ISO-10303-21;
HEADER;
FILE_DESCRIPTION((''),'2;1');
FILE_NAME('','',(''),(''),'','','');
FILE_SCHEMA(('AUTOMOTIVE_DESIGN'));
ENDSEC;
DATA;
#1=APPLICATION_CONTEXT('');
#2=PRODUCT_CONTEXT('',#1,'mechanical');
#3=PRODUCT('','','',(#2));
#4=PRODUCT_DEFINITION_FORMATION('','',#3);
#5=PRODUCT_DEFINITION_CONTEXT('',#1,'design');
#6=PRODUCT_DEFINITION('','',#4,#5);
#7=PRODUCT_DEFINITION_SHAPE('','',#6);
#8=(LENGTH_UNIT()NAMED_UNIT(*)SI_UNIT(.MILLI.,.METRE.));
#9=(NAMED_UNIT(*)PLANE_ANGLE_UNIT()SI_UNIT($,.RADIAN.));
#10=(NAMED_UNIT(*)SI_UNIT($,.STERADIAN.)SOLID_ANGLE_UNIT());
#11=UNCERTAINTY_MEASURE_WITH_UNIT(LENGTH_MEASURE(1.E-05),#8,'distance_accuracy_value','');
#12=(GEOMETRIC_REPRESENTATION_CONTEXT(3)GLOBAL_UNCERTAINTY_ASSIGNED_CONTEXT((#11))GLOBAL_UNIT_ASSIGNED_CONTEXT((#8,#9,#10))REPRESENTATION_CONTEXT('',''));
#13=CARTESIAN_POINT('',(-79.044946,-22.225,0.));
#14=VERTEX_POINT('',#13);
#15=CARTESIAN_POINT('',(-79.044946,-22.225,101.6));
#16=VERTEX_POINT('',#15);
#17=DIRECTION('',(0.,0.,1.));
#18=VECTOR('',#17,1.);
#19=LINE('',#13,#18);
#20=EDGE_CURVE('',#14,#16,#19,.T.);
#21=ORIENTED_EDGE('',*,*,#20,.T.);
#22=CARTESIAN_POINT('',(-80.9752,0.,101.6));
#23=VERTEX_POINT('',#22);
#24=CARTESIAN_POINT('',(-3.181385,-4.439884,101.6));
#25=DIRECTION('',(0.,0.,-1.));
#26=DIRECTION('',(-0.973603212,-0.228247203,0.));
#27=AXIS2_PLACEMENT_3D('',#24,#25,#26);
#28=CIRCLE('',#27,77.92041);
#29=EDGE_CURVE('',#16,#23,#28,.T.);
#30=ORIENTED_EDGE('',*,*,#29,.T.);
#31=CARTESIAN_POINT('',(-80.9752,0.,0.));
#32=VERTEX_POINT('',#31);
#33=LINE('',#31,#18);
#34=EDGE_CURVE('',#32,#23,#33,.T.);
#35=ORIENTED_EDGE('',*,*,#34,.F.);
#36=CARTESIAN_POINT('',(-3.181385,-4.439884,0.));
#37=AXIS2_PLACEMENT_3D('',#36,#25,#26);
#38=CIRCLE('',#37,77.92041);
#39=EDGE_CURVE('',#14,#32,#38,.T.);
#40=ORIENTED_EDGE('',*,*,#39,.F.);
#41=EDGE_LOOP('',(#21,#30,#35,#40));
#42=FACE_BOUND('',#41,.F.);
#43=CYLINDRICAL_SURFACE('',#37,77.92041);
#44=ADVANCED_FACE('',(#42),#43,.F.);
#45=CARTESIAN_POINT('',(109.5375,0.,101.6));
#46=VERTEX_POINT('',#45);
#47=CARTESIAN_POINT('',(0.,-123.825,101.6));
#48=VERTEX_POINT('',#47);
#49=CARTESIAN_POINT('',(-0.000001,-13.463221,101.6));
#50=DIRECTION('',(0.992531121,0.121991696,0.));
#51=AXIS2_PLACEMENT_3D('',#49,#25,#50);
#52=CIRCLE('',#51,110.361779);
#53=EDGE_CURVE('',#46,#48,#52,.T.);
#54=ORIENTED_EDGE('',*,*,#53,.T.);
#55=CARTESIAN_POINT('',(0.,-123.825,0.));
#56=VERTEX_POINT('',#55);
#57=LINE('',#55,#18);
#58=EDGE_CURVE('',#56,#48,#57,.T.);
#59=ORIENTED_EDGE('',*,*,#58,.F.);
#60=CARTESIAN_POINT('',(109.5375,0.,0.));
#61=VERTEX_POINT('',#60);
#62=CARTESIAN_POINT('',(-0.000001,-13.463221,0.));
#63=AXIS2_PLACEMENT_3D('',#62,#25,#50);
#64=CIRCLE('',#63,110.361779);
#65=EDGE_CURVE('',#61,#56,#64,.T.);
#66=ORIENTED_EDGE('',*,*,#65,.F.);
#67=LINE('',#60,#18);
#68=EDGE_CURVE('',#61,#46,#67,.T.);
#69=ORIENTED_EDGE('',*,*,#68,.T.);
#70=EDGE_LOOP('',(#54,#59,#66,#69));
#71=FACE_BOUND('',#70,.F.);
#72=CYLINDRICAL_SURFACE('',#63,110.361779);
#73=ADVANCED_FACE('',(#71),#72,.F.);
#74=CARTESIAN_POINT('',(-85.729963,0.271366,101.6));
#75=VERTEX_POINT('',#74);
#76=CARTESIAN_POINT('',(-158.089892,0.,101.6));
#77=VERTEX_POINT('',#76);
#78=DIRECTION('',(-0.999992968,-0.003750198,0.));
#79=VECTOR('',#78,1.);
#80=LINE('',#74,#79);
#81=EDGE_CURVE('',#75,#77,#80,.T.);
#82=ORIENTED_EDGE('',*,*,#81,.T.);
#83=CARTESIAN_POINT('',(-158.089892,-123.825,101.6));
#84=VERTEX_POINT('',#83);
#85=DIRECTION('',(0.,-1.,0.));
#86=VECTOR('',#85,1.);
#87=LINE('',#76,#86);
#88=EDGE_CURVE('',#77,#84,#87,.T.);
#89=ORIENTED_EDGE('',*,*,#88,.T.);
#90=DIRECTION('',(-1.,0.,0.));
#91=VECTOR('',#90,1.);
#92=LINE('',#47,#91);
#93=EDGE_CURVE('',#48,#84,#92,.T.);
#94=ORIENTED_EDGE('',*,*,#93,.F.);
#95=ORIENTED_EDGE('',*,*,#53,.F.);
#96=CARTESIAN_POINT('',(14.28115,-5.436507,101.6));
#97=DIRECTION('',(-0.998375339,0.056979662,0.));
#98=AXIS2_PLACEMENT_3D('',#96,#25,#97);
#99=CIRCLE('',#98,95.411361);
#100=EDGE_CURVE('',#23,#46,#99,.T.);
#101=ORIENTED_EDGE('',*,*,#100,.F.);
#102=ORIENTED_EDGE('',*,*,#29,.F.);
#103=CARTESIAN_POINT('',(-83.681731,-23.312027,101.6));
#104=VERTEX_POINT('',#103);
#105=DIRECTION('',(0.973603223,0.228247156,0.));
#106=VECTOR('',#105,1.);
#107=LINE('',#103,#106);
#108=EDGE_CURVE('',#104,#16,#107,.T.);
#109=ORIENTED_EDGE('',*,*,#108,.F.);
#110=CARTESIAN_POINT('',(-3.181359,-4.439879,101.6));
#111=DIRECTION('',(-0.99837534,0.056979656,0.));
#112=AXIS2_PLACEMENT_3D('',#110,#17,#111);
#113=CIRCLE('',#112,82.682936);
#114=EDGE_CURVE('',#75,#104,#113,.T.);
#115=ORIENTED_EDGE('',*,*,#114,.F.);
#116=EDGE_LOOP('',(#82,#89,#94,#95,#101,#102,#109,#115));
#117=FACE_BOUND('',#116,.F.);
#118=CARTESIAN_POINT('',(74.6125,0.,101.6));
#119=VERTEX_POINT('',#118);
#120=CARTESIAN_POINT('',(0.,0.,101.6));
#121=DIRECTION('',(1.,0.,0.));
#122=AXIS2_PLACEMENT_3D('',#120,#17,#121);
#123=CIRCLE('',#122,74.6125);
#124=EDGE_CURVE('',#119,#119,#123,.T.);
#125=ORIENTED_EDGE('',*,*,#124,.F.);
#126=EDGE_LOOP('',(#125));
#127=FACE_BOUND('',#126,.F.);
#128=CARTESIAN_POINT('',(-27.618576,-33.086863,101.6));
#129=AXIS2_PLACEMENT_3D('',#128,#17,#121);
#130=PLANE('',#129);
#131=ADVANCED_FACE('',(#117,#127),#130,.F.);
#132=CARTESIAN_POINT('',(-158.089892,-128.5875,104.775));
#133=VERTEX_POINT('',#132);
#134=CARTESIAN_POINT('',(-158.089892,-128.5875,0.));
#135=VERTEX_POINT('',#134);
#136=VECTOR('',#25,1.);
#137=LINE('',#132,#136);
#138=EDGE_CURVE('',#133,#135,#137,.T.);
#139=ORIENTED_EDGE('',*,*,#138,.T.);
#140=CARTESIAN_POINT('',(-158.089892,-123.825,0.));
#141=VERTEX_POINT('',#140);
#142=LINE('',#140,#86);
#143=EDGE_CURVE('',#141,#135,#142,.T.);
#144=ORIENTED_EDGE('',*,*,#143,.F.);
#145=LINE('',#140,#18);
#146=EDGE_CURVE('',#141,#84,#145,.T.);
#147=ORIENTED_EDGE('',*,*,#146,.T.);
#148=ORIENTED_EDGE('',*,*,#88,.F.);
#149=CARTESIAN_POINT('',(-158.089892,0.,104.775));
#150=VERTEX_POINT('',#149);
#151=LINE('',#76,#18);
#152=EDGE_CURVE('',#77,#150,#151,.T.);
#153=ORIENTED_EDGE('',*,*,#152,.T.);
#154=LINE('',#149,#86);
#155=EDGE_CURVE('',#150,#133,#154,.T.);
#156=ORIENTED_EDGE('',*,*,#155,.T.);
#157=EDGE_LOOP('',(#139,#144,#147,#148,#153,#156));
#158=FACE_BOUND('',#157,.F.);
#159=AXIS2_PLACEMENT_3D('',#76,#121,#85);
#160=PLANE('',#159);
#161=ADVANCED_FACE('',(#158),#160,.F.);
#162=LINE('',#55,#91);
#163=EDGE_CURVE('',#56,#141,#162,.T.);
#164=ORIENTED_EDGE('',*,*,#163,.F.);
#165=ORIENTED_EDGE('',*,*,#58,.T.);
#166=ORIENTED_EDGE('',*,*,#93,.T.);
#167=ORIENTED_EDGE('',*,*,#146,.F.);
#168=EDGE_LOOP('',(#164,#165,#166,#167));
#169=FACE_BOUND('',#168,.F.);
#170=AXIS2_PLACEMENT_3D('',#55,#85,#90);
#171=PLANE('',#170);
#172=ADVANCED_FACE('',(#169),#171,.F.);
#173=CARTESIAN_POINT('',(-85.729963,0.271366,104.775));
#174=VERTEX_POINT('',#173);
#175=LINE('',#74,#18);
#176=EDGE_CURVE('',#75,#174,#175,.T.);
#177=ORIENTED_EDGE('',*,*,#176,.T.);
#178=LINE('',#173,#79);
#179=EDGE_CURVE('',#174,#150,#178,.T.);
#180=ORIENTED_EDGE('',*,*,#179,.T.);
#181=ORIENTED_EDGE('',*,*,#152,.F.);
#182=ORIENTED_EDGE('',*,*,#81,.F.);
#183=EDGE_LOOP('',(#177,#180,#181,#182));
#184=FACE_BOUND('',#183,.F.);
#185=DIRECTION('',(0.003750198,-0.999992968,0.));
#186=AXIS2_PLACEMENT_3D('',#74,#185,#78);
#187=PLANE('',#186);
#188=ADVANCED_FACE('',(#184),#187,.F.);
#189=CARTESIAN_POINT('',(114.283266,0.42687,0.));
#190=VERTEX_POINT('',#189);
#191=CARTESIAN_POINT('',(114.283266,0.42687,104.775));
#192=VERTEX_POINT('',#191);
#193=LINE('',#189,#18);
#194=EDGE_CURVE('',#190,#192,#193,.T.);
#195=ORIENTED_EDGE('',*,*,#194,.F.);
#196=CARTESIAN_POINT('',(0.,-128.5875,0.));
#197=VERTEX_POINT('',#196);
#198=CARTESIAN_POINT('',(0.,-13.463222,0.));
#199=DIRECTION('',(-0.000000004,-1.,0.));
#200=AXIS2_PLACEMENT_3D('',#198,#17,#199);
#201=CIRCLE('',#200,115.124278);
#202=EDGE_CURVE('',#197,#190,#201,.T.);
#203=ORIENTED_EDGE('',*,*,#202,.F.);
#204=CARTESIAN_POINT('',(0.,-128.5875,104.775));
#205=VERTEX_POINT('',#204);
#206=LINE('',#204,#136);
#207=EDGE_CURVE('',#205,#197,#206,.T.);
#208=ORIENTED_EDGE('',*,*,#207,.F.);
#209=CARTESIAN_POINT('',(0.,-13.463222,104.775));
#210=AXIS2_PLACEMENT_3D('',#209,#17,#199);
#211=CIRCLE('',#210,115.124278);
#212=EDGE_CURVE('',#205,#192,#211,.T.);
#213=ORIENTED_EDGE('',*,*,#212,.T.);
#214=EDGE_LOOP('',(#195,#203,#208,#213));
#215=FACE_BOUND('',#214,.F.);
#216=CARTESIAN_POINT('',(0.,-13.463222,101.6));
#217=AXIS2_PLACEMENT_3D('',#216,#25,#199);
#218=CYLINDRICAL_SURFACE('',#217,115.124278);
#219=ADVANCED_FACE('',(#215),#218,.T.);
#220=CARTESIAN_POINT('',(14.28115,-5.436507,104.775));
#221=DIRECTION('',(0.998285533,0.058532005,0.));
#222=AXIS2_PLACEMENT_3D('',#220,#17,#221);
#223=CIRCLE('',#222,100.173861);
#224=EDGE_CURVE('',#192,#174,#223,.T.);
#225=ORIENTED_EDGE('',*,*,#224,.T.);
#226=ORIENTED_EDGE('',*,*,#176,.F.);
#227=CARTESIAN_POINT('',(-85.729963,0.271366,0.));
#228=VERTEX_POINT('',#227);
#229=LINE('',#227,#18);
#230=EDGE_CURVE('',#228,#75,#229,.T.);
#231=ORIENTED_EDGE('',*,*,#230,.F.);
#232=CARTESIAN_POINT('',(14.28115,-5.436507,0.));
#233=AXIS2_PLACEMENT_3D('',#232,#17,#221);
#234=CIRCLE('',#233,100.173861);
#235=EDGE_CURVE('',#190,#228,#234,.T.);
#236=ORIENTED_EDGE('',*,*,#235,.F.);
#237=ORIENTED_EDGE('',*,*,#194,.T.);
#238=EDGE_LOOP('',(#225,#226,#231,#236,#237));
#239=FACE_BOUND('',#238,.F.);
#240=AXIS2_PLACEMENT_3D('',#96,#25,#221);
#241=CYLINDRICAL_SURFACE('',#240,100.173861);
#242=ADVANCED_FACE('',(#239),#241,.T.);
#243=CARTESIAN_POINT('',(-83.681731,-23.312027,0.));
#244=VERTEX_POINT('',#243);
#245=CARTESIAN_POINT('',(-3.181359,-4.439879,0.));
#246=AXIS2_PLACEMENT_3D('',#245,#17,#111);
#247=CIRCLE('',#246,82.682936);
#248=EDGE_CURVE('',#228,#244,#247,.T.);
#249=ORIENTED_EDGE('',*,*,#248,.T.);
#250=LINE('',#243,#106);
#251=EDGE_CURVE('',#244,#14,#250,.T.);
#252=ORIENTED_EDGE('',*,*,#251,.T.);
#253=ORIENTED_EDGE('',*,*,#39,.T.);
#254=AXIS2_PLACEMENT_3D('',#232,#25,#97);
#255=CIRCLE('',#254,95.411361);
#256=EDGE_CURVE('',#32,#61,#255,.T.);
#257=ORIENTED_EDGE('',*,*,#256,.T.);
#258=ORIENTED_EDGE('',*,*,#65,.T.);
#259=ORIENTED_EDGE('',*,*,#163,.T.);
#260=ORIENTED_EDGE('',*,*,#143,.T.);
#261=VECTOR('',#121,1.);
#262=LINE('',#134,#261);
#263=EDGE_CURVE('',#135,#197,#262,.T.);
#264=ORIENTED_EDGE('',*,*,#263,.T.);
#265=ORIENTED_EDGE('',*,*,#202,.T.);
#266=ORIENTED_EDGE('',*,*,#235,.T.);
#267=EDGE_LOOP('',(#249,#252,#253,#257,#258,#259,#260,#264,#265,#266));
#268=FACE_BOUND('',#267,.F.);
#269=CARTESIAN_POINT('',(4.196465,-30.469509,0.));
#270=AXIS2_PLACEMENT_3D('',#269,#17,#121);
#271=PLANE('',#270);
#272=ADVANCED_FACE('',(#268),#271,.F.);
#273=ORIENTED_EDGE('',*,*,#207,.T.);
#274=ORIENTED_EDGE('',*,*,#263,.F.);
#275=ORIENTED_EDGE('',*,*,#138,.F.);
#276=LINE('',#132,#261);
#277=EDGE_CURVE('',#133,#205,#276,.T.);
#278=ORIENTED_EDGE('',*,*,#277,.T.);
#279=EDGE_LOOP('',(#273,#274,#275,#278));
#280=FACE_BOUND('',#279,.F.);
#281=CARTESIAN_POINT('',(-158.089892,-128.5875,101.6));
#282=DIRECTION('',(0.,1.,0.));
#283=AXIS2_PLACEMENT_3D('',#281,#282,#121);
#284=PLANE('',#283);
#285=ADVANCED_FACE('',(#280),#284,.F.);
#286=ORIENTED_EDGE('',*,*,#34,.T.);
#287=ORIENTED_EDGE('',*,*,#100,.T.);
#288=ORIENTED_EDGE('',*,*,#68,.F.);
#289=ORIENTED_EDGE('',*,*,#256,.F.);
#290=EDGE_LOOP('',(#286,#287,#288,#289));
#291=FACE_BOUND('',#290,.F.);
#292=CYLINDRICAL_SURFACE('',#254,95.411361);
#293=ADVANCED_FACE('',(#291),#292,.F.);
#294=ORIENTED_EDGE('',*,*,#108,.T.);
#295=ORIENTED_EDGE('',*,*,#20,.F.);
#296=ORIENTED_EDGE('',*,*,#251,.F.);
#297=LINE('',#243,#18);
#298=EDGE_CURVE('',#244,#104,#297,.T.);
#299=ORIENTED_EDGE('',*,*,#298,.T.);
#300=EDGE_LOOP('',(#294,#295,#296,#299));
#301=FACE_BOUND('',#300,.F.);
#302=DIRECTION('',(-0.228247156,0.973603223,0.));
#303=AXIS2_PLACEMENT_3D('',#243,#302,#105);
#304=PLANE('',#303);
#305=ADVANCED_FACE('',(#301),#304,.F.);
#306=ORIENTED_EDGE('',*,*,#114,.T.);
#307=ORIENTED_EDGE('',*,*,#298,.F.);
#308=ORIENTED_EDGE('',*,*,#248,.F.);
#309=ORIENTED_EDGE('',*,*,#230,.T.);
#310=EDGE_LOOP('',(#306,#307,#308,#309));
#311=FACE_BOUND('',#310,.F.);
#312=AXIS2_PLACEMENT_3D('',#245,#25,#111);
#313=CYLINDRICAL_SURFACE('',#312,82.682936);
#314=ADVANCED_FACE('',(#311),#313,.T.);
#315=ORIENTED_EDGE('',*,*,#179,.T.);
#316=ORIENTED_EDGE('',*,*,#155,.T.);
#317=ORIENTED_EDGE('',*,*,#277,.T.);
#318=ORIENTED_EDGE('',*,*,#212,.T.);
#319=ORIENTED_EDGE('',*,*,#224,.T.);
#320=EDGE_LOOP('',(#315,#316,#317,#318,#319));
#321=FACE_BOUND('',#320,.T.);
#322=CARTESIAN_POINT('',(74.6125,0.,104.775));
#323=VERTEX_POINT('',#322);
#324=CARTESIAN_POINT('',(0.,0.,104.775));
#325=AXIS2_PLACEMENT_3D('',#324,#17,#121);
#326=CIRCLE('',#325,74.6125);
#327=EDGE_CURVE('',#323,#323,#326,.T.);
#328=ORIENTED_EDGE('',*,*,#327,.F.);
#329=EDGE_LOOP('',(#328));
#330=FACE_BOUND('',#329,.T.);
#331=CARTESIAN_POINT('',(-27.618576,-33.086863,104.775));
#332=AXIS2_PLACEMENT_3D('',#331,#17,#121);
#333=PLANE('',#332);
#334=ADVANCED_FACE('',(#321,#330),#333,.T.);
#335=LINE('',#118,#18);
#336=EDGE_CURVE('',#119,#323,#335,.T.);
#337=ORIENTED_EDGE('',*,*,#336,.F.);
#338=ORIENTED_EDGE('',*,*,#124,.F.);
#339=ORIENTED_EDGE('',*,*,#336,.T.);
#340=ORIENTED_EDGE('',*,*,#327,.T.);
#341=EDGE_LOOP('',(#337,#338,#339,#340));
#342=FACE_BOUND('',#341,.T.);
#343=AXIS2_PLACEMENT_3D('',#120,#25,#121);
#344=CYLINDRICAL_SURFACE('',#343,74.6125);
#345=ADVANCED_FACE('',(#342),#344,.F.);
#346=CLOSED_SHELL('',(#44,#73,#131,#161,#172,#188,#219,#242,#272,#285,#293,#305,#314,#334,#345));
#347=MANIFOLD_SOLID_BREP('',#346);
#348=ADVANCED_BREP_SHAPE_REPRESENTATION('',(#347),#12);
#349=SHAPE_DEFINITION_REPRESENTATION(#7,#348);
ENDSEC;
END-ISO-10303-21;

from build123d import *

# Parameters (mm, degrees)
F0_DEPTH = 101.6
F1_R     = 74.6125
F2_DEPTH = 3.175


with BuildPart() as f0:
    # F3 (on Top) → F0 (new body)
    with BuildSketch(Plane.XY):
        with BuildLine():
            ThreePointArc((-80.9752, 0), (14.28115, 89.974854), (109.5375, 0))
            ThreePointArc((109.5375, 0), (82.660593, -86.586053), (0, -123.825))
            Line((0, -123.825), (-158.089892, -123.825))
            Line((-158.089892, -123.825), (-158.089892, -128.5875))
            Line((-158.089892, -128.5875), (0, -128.5875))
            ThreePointArc((0, -128.5875), (86.176233, -89.79969), (114.283266, 0.42687))
            ThreePointArc((114.283266, 0.42687), (14.203268, 94.737324), (-85.729963, 0.271366))
            ThreePointArc((-85.729963, 0.271366), (-85.554208, -11.594011), (-83.681731, -23.312027))
            Line((-83.681731, -23.312027), (-79.044946, -22.225))
            ThreePointArc((-79.044946, -22.225), (-80.809569, -11.181937), (-80.9752, 0))
        make_face()
    extrude(amount=F0_DEPTH)

    # F1 (on face) → F2 (join)
    with BuildSketch(Plane.XY.offset(101.6)):
        with BuildLine():
            ThreePointArc((0, -128.5875), (86.176233, -89.79969), (114.283266, 0.42687))
            ThreePointArc((114.283266, 0.42687), (14.203268, 94.737324), (-85.729963, 0.271366))
            Line((-85.729963, 0.271366), (-158.089892, 0))
            Line((-158.089892, 0), (-158.089892, -128.5875))
            Line((-158.089892, -128.5875), (0, -128.5875))
        make_face()
        Circle(F1_R, mode=Mode.SUBTRACT)
    extrude(amount=F2_DEPTH)


solid = f0.part
